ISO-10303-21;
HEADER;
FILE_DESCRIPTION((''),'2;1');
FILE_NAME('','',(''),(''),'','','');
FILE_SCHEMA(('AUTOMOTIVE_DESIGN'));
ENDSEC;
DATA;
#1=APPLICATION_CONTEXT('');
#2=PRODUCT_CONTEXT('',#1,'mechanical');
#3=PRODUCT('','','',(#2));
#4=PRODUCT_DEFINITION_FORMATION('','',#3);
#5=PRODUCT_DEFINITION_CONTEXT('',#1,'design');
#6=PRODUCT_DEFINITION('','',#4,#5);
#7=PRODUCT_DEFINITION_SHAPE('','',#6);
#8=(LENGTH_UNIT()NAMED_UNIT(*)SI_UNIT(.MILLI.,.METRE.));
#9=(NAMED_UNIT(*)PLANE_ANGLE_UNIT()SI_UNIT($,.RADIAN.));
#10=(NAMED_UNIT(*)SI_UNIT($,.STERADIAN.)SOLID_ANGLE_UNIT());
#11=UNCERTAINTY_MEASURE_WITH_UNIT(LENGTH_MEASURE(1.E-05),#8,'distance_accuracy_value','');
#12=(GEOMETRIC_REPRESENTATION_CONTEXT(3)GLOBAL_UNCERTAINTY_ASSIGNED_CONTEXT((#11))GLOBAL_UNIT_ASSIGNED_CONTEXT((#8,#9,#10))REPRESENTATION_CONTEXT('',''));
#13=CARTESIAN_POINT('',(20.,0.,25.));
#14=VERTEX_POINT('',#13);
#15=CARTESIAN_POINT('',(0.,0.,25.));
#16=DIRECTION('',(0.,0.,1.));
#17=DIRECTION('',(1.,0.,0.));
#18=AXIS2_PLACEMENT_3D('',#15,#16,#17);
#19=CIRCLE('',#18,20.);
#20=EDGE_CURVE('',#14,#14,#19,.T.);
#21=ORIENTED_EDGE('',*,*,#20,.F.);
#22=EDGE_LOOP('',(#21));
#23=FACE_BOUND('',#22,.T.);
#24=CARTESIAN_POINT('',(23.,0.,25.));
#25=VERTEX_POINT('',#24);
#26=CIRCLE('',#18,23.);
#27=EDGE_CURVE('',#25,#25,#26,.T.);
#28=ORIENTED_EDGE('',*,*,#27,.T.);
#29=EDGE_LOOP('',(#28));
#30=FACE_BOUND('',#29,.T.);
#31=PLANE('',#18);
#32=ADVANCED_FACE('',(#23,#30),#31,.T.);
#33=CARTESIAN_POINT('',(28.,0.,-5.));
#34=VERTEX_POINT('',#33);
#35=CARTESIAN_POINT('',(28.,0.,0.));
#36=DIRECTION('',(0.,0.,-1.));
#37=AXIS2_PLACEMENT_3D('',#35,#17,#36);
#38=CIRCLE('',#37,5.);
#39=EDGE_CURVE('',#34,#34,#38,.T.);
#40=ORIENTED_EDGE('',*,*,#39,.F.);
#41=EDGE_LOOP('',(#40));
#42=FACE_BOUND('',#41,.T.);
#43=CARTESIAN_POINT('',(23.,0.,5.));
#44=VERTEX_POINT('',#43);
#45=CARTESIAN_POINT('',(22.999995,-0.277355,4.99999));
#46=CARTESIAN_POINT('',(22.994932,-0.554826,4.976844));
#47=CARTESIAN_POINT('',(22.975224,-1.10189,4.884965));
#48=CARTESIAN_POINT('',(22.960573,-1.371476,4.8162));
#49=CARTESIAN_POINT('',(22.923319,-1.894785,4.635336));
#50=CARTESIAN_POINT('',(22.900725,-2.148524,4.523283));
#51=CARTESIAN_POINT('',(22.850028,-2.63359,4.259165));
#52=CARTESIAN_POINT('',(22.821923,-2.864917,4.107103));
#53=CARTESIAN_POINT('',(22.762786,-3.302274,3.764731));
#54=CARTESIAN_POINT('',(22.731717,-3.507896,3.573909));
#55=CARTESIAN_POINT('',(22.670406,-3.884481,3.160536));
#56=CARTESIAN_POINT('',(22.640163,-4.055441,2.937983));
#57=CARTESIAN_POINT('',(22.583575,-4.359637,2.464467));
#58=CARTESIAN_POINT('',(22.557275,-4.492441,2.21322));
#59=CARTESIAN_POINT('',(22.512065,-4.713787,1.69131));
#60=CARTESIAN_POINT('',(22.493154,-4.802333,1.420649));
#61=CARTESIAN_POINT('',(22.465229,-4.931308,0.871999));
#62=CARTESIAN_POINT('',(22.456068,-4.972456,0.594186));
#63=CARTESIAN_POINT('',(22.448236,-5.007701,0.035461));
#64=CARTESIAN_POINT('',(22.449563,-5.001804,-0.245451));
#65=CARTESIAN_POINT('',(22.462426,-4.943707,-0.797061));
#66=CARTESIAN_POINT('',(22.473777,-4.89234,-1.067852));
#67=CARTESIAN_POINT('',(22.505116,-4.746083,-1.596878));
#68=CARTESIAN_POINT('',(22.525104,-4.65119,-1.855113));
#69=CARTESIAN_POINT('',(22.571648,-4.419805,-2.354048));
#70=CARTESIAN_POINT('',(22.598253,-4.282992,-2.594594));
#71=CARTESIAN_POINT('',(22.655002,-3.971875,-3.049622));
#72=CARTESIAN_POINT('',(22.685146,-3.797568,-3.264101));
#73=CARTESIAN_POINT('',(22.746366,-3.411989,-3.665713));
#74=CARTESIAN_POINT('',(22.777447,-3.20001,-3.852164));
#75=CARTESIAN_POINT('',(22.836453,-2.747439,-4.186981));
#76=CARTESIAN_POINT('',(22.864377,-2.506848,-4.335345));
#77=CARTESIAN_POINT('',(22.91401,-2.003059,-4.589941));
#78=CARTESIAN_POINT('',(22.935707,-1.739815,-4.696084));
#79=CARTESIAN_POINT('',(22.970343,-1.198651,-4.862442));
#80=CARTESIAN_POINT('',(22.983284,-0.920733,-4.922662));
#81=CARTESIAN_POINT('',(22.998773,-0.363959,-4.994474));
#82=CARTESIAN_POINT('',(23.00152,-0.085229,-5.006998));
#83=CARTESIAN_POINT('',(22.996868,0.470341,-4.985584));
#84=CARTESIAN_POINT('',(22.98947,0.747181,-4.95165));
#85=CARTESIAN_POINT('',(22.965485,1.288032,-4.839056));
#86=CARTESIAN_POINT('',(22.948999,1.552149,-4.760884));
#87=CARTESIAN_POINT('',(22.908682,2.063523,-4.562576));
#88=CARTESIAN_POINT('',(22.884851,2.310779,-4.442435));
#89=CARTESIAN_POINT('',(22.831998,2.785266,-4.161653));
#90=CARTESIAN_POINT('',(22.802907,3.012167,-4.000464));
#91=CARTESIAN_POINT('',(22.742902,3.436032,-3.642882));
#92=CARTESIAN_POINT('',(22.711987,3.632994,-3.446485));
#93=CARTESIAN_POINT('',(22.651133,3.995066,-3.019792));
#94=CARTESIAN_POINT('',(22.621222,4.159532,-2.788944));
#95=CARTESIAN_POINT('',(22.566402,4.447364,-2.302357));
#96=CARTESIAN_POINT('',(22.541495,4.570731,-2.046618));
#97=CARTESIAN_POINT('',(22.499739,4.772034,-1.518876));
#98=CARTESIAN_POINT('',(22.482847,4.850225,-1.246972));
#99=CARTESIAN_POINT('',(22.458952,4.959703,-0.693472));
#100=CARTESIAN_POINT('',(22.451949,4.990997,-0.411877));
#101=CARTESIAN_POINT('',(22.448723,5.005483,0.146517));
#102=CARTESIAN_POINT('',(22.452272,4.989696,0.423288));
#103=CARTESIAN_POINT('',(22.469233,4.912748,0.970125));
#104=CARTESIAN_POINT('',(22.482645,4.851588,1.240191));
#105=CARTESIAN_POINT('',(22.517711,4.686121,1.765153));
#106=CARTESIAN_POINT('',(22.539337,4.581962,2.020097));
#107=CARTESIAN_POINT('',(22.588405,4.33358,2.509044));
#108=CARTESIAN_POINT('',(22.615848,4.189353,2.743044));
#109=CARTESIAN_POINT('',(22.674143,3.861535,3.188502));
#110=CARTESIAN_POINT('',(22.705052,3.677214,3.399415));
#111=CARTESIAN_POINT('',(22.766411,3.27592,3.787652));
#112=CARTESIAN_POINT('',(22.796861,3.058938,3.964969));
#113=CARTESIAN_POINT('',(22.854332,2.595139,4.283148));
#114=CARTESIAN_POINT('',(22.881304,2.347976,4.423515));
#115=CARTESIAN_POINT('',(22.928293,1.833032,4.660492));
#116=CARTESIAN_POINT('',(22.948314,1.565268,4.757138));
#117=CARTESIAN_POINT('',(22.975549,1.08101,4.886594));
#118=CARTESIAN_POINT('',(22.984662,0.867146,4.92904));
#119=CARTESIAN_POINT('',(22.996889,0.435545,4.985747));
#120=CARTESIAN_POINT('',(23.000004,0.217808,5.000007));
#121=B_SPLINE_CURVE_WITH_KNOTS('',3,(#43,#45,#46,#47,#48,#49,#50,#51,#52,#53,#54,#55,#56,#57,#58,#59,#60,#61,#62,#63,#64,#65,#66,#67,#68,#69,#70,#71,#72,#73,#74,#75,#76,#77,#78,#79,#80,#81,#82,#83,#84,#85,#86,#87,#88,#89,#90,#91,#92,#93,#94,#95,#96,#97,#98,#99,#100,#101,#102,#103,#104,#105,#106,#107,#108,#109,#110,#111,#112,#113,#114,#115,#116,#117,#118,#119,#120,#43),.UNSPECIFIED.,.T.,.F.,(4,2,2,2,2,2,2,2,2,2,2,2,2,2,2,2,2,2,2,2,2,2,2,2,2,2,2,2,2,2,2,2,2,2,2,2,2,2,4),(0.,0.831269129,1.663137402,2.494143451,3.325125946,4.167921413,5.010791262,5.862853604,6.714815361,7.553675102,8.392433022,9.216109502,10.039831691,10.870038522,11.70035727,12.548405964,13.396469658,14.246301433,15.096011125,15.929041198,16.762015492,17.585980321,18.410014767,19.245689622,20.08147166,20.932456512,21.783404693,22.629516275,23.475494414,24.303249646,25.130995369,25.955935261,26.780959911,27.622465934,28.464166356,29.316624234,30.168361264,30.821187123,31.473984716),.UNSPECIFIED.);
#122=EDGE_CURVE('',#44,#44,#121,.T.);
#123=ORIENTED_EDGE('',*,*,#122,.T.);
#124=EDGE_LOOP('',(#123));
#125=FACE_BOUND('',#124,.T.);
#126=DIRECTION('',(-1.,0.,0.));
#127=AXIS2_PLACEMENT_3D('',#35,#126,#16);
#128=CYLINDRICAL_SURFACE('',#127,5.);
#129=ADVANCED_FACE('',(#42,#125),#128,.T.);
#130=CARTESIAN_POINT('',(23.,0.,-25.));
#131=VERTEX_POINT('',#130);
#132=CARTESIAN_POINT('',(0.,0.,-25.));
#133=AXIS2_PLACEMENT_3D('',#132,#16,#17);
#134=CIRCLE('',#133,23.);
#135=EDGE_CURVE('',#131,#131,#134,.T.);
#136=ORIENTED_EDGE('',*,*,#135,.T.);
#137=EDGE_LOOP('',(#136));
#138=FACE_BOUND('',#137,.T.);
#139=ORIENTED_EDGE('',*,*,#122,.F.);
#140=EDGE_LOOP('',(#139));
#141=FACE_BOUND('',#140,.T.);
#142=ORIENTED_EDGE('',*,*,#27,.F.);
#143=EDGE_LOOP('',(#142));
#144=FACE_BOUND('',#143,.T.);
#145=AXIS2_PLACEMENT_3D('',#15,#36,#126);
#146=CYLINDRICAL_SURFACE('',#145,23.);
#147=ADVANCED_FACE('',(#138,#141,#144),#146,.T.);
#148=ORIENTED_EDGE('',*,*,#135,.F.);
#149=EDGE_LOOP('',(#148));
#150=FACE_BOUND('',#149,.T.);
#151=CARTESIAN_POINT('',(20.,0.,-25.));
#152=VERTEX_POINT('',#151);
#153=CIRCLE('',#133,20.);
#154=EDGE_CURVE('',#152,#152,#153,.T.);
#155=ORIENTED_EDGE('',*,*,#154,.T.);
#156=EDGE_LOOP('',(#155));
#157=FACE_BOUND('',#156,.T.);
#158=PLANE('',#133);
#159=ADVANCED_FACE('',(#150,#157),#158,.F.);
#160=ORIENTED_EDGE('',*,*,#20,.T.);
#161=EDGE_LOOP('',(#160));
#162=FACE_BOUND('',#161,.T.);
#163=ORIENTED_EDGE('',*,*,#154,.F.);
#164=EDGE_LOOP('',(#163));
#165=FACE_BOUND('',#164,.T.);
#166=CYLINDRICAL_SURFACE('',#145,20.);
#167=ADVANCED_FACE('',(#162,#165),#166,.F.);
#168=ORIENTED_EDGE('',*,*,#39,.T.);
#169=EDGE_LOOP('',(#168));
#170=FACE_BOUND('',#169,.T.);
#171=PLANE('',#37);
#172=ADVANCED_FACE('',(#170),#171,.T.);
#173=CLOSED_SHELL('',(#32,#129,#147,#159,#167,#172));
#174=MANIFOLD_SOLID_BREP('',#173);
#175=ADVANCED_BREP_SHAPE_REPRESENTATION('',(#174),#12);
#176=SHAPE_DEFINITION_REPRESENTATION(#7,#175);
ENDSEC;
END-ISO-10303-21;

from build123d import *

# Parameters (mm, degrees)
ESQUISSE1_R                    = 23
ESQUISSE1_R_2                  = 20
BOSS_EXTRU_1_DEPTH             = 25
BOSS_EXTRU_2_REACH             = 59.184
BOSS_EXTRU_2_END_RADIUS        = 23
ESQUISSE2_R                    = 5
BOSS_EXTRU_2_DIRECTION_2_DEPTH = 5


with BuildPart() as part:
    # Esquisse1 → Boss.-Extru.1 (new, symmetric)
    with BuildSketch(Plane.XY):
        Circle(ESQUISSE1_R)
        Circle(ESQUISSE1_R_2, mode=Mode.SUBTRACT)
    extrude(amount=BOSS_EXTRU_1_DEPTH, both=True)

    # Boss.-Extru.2: up to this cylinder (the profile starts outside it)
    boss_extru_2_end = Plane(origin=(0, 0, 0), z_dir=(0, 0, -1)) * Cylinder(BOSS_EXTRU_2_END_RADIUS, 165.368, mode=Mode.PRIVATE)
    # Esquisse2 → Boss.-Extru.2 (add, up to the surface)
    with BuildSketch(Plane(origin=(23, 0, 0), x_dir=(0, 0, -1), z_dir=(1, 0, 0)), mode=Mode.PRIVATE) as boss_extru_2_sk1:
        Circle(ESQUISSE2_R)
    boss_extru_2_tool1 = extrude(boss_extru_2_sk1.sketch, amount=-BOSS_EXTRU_2_REACH, mode=Mode.PRIVATE) - boss_extru_2_end
    add(boss_extru_2_tool1.solids().sort_by_distance((23, 0, 0))[0])
    add(boss_extru_2_tool1.solids().sort_by_distance((23, 0, 0))[1])

    # Esquisse2 → Boss.-Extru.2 direction 2 (add)
    with BuildSketch(Plane(origin=(23, 0, 0), x_dir=(0, 0, -1), z_dir=(1, 0, 0))):
        Circle(ESQUISSE2_R)
    extrude(amount=BOSS_EXTRU_2_DIRECTION_2_DEPTH)


solid = part.part
